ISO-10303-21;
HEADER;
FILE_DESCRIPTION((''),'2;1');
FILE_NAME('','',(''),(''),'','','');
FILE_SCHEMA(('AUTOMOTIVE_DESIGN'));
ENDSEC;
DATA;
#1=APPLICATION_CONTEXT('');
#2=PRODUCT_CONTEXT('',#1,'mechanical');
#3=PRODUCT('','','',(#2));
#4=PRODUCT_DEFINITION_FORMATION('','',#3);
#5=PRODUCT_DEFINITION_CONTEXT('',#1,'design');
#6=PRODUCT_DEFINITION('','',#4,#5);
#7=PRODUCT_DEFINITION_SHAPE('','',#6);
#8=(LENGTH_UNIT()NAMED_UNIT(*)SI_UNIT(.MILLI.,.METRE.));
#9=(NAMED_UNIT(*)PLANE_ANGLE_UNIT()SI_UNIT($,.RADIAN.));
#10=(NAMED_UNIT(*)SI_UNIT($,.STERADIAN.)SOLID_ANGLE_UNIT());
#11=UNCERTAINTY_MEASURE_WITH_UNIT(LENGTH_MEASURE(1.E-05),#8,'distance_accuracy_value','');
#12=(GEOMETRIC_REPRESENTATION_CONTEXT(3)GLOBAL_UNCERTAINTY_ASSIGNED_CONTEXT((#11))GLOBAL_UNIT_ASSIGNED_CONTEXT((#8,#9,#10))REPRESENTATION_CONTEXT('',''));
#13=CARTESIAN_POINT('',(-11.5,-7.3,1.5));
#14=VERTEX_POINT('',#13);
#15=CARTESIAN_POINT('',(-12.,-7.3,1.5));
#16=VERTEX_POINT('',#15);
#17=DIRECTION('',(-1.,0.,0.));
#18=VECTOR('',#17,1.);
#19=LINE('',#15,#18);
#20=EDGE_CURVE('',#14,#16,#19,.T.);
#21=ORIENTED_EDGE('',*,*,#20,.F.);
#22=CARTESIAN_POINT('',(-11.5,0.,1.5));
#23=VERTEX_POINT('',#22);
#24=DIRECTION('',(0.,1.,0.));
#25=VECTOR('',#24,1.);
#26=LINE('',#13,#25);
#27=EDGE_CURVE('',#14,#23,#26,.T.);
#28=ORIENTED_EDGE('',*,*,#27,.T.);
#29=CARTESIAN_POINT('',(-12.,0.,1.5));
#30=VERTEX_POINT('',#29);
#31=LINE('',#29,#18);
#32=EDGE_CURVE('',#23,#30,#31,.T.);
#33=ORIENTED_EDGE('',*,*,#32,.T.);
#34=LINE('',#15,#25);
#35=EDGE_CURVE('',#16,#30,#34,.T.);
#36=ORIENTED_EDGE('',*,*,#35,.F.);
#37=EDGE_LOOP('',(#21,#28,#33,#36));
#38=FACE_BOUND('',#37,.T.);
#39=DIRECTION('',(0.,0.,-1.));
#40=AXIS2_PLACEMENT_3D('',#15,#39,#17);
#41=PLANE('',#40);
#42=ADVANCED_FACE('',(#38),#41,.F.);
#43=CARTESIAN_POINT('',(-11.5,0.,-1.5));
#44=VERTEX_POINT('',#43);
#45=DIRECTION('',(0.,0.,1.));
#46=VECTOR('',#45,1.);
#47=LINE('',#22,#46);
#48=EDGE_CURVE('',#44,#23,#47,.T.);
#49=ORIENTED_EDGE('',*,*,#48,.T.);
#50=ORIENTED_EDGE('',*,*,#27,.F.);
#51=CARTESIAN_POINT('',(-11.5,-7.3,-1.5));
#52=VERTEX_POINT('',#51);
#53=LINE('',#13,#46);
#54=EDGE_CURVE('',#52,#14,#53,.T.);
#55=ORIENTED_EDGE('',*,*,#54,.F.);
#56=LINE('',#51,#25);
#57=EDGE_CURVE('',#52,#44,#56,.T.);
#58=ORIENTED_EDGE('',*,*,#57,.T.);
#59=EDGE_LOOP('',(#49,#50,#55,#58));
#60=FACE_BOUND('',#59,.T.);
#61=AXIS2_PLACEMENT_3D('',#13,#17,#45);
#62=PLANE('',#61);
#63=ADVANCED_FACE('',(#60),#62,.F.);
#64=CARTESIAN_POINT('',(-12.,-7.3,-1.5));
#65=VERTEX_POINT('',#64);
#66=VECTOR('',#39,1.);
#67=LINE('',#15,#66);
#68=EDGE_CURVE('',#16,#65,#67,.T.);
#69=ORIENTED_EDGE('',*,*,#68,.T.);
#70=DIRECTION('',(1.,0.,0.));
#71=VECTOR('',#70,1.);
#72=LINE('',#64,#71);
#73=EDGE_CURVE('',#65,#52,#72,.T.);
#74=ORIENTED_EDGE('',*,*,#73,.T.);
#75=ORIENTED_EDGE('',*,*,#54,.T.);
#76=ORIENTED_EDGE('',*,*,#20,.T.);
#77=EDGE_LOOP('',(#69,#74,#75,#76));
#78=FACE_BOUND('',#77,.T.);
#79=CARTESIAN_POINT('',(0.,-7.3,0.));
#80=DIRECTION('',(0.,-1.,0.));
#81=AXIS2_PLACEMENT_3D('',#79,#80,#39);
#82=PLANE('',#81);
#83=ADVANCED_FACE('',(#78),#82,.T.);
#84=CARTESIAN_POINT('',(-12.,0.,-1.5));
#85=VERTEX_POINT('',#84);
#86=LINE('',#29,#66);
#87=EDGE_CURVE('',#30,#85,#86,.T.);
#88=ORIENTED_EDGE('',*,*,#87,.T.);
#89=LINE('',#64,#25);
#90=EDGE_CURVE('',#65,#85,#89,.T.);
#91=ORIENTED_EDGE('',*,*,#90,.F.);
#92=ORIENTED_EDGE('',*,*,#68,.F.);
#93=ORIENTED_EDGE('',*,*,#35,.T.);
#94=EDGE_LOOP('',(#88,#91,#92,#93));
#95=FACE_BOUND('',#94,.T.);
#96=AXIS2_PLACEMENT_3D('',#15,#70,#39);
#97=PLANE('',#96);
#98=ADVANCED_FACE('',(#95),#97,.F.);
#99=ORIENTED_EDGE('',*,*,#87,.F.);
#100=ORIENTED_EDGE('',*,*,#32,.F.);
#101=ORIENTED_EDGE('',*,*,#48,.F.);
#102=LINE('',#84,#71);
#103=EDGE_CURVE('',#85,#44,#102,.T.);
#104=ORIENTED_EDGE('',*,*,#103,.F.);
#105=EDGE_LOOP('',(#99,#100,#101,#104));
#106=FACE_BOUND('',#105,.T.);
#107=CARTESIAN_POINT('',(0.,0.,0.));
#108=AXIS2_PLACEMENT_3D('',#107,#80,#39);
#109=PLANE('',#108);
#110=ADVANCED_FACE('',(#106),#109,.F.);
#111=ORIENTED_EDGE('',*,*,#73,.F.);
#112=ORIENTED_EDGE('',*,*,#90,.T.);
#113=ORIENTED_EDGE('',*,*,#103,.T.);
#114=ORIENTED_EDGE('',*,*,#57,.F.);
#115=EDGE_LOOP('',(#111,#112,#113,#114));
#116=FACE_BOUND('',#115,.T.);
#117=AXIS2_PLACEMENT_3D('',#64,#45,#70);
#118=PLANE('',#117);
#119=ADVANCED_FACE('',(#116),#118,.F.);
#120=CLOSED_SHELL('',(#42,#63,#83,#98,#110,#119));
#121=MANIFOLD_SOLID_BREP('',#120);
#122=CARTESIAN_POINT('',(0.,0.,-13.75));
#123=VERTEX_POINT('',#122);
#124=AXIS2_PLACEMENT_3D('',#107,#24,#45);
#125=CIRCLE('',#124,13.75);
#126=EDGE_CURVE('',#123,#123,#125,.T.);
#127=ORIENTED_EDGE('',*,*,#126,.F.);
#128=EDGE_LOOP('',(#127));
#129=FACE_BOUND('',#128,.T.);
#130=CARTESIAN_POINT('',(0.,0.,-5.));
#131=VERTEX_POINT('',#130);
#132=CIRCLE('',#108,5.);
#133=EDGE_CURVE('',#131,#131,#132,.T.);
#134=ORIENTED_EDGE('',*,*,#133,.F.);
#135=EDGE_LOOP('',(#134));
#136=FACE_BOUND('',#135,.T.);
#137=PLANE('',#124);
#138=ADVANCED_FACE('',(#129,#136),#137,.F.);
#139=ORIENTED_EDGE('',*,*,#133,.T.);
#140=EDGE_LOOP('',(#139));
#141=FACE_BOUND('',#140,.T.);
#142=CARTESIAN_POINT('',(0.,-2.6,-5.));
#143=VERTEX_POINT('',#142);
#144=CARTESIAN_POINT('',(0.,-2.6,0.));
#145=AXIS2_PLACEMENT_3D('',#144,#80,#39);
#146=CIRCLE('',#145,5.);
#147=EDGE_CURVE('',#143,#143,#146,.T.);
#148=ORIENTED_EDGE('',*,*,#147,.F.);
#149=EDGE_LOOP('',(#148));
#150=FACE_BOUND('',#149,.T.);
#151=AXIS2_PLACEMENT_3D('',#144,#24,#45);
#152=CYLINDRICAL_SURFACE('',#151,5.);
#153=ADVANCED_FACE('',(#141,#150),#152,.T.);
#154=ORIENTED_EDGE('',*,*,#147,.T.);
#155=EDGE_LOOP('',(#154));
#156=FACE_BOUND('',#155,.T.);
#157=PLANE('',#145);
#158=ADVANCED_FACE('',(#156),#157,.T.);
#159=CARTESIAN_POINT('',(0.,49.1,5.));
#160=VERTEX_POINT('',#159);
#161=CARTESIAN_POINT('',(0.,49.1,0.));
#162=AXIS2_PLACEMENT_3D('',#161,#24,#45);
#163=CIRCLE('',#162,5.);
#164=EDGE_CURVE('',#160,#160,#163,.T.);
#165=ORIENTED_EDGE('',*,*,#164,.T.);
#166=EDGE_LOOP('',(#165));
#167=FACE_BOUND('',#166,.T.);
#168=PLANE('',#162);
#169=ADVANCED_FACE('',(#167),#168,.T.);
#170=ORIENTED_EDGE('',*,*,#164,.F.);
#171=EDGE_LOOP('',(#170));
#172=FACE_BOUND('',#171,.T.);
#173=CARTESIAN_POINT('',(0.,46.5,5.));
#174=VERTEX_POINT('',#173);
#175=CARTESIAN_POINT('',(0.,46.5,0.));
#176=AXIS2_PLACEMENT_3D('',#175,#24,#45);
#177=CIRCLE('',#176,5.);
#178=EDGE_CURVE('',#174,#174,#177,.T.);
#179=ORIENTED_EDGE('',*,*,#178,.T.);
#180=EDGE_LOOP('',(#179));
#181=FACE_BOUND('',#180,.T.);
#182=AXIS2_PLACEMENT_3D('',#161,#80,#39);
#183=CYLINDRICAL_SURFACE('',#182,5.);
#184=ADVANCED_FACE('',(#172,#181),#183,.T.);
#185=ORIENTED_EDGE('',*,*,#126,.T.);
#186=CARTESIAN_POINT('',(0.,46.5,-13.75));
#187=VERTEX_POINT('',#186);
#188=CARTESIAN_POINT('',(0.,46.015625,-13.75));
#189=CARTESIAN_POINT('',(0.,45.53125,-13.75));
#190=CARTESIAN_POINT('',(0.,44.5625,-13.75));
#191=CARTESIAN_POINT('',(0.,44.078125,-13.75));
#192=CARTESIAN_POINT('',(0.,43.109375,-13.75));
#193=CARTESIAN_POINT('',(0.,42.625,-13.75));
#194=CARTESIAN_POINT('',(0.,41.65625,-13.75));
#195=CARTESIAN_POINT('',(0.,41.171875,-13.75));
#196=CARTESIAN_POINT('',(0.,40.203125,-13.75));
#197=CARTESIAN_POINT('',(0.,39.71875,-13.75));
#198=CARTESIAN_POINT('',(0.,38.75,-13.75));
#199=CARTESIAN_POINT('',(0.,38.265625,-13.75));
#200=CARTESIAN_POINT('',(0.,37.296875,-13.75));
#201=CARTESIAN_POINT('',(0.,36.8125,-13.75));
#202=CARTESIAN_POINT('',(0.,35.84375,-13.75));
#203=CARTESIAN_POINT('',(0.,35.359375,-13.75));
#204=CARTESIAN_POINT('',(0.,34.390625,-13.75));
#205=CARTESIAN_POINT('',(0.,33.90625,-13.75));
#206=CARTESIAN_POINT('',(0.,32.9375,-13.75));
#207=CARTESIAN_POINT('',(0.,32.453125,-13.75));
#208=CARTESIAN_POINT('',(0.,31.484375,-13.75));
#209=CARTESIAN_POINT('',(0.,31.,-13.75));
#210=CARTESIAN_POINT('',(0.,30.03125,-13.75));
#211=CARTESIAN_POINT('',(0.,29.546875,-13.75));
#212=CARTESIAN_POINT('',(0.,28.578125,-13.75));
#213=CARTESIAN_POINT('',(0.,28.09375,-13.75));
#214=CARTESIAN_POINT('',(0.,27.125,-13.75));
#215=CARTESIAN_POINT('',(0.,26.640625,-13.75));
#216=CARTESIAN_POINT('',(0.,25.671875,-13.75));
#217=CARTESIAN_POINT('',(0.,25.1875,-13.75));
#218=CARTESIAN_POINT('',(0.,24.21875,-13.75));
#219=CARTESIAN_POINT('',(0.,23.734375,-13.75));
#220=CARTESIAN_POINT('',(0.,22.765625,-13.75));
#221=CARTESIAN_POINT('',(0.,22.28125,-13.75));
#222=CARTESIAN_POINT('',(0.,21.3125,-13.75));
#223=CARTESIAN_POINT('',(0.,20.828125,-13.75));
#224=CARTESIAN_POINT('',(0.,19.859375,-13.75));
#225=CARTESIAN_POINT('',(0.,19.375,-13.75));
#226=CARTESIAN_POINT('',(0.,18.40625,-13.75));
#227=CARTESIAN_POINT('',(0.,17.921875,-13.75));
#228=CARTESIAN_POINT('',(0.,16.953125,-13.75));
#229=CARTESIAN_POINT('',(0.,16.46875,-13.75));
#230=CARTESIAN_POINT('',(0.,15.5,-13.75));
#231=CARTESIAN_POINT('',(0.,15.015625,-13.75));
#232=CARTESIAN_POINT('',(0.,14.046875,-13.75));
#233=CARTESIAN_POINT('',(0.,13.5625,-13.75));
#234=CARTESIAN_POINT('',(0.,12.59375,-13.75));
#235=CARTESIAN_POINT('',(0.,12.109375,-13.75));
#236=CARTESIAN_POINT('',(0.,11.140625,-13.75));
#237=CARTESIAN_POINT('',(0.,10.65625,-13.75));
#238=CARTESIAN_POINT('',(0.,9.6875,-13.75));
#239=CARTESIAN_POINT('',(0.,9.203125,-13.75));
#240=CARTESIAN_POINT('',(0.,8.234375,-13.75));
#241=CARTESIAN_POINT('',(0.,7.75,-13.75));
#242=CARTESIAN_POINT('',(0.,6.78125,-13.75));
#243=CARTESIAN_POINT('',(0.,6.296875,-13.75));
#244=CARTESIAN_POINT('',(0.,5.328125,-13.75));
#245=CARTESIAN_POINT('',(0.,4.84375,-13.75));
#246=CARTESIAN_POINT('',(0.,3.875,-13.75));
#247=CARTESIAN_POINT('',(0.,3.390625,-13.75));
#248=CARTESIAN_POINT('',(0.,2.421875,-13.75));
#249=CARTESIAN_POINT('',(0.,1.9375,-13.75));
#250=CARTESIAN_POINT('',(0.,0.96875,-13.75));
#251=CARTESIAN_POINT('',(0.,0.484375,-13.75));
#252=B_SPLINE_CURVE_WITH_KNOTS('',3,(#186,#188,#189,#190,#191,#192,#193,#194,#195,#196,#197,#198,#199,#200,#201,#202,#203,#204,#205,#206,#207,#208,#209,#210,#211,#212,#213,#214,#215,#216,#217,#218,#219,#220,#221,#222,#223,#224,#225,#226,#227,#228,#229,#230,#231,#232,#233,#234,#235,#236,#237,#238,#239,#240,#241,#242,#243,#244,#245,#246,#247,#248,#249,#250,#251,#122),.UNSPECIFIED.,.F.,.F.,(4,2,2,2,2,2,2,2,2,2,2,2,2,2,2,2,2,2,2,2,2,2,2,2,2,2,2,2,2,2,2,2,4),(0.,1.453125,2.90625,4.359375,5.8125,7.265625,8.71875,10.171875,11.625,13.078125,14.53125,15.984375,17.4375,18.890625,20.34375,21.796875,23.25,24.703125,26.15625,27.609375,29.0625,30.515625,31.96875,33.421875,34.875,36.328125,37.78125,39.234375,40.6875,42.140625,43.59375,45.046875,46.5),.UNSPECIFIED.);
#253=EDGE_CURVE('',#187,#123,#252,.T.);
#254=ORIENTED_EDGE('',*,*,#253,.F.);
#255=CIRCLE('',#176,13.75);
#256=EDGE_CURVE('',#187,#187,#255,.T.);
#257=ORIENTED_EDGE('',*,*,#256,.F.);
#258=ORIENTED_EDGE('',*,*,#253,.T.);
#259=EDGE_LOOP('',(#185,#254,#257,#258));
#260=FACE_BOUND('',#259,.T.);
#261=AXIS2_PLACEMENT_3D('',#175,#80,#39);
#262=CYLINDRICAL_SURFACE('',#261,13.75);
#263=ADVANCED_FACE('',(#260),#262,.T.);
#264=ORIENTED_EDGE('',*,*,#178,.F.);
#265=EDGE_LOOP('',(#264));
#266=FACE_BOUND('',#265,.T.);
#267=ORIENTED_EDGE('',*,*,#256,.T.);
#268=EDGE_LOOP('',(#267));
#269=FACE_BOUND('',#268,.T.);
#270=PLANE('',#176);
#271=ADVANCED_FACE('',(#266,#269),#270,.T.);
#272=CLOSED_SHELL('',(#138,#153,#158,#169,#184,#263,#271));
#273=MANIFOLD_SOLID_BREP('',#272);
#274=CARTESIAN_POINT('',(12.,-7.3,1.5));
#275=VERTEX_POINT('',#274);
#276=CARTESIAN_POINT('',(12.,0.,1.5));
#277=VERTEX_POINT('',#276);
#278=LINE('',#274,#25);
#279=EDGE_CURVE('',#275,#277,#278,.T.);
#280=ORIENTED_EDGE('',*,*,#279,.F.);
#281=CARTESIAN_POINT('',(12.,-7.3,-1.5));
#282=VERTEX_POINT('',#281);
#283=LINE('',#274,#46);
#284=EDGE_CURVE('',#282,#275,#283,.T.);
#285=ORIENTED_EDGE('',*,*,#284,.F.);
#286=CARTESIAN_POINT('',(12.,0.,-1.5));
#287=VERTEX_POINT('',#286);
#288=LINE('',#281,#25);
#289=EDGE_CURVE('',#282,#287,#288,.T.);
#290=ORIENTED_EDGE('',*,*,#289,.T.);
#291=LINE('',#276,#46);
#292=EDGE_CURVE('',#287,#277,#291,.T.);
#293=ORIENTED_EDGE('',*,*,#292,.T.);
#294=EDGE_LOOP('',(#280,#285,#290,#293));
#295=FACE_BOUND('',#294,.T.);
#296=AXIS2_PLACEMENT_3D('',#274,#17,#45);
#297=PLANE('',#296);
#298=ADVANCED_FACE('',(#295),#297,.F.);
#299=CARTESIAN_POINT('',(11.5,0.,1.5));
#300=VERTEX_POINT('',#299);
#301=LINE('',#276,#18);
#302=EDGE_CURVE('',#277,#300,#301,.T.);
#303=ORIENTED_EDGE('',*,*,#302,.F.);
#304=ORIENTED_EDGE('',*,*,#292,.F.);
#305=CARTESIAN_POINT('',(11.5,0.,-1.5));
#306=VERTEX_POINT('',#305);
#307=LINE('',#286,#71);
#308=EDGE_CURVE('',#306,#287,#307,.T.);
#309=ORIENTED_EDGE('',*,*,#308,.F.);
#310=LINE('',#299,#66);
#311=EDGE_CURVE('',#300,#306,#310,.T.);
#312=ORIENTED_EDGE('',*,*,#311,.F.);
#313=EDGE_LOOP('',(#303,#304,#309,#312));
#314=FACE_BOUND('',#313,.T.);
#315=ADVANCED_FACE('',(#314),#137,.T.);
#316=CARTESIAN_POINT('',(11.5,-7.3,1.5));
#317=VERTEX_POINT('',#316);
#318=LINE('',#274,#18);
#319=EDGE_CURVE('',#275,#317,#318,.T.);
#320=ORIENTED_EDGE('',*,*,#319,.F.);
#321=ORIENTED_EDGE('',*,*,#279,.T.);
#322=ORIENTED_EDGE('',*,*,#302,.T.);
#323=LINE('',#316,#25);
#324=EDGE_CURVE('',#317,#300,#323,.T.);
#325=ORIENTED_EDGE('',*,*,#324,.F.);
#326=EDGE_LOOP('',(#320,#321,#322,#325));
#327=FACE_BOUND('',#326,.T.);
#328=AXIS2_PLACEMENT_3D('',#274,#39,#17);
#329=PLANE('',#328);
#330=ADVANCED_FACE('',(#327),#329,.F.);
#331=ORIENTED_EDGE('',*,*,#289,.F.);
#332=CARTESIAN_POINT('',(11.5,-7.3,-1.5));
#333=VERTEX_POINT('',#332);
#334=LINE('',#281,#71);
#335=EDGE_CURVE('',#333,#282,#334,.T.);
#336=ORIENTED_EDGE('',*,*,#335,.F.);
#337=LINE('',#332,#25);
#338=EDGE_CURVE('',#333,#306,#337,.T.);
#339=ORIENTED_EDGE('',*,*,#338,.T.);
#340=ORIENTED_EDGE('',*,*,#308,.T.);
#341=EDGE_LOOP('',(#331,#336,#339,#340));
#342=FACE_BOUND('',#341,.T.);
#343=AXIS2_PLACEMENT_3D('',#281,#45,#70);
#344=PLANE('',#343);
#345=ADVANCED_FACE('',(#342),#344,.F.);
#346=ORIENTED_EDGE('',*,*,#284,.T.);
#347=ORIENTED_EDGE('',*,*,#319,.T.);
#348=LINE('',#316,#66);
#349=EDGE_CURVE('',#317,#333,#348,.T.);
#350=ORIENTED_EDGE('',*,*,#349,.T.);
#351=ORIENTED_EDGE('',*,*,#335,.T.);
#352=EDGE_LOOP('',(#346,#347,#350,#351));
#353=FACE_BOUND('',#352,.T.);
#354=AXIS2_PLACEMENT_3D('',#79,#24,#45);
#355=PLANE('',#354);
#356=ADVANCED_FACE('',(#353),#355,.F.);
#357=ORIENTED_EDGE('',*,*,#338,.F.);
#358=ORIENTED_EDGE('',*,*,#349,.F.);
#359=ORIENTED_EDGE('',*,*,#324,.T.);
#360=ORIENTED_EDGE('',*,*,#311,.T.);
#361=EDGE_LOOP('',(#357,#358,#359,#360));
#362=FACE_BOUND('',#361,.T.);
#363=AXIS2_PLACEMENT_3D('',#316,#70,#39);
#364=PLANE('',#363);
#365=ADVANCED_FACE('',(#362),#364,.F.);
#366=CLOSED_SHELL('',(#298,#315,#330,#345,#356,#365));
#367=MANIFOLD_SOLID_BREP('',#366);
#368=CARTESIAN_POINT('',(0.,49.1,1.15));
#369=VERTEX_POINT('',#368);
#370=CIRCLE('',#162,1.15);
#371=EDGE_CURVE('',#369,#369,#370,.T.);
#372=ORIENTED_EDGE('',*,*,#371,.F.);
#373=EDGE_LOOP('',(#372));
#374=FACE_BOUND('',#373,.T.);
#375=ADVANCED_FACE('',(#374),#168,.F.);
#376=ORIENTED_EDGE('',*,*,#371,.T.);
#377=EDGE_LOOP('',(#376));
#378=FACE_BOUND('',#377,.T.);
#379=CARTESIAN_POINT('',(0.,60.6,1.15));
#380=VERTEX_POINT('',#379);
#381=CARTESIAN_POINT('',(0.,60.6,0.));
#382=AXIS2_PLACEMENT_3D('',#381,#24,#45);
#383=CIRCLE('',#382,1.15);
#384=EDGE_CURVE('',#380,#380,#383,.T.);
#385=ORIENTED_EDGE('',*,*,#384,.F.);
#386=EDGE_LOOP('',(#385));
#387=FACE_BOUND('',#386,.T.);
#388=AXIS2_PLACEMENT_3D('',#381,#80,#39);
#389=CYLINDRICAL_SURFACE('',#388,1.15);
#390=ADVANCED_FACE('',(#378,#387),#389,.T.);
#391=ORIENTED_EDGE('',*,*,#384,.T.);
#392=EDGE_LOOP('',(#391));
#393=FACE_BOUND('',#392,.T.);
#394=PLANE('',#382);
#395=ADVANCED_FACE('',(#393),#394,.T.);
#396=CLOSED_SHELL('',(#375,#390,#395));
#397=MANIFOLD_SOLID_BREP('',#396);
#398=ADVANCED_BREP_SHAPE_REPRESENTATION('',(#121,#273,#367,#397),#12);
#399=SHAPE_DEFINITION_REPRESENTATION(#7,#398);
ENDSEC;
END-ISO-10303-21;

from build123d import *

# Parameters (mm, degrees)
SKETCH1_R             = 13.75
BOSS_EXTRUDE1_DEPTH   = 46.5
SKETCH2_R             = 5
BOSS_EXTRUDE2_DEPTH   = 2.6
SKETCH3_W             = 0.5
SKETCH3_H             = 3
BOSS_EXTRUDE3_DEPTH   = 7.3
BOSS_EXTRUDE3_2_DEPTH = 7.3
BOSS_EXTRUDE4_START   = 2.6
SKETCH4_R             = 5
BOSS_EXTRUDE4_DEPTH   = 2.6
SKETCH5_R             = 1.15
BOSS_EXTRUDE5_DEPTH   = 11.5


with BuildPart() as part:
    # Sketch1 → Boss-Extrude1 (new body)
    with BuildSketch(Plane(origin=(0, 0, 0), x_dir=(1, 0, 0), z_dir=(0, 1, 0))):
        with Locations(Location((0, 0, 0), (0, 0, 90))):
            Circle(SKETCH1_R)
    extrude(amount=BOSS_EXTRUDE1_DEPTH)

    # Sketch2 → Boss-Extrude2 (add)
    with BuildSketch(Plane.XZ):
        with Locations(Location((0, 0, 0), (0, 0, 270))):
            Circle(SKETCH2_R)
    extrude(amount=BOSS_EXTRUDE2_DEPTH)

    # Sketch4 → Boss-Extrude4 (add)
    with BuildSketch(Plane(origin=(0, 46.5, 0), x_dir=(1, 0, 0), z_dir=(0, 1, 0)).offset(BOSS_EXTRUDE4_START)):
        with Locations(Location((0, 0, 0), (0, 0, 90))):
            Circle(SKETCH4_R)
    extrude(amount=-BOSS_EXTRUDE4_DEPTH)


with BuildPart() as body_2:
    # Sketch3 → Boss-Extrude3 (new body)
    with BuildSketch(Plane.XZ):
        with Locations((-11.75, 0)):
            Rectangle(SKETCH3_W, SKETCH3_H)
    extrude(amount=BOSS_EXTRUDE3_DEPTH)


with BuildPart() as body_3:
    # Sketch3 → Boss-Extrude3 2 (new body)
    with BuildSketch(Plane.XZ):
        with Locations((11.75, 0)):
            Rectangle(SKETCH3_W, SKETCH3_H)
    extrude(amount=BOSS_EXTRUDE3_2_DEPTH)


with BuildPart() as body_4:
    # Sketch5 → Boss-Extrude5 (new body)
    with BuildSketch(Plane(origin=(0, 49.1, 0), x_dir=(1, 0, 0), z_dir=(0, 1, 0))):
        with Locations(Location((0, 0, 0), (0, 0, 270))):
            Circle(SKETCH5_R)
    extrude(amount=BOSS_EXTRUDE5_DEPTH)


solid = Compound([part.part, body_2.part, body_3.part, body_4.part])
